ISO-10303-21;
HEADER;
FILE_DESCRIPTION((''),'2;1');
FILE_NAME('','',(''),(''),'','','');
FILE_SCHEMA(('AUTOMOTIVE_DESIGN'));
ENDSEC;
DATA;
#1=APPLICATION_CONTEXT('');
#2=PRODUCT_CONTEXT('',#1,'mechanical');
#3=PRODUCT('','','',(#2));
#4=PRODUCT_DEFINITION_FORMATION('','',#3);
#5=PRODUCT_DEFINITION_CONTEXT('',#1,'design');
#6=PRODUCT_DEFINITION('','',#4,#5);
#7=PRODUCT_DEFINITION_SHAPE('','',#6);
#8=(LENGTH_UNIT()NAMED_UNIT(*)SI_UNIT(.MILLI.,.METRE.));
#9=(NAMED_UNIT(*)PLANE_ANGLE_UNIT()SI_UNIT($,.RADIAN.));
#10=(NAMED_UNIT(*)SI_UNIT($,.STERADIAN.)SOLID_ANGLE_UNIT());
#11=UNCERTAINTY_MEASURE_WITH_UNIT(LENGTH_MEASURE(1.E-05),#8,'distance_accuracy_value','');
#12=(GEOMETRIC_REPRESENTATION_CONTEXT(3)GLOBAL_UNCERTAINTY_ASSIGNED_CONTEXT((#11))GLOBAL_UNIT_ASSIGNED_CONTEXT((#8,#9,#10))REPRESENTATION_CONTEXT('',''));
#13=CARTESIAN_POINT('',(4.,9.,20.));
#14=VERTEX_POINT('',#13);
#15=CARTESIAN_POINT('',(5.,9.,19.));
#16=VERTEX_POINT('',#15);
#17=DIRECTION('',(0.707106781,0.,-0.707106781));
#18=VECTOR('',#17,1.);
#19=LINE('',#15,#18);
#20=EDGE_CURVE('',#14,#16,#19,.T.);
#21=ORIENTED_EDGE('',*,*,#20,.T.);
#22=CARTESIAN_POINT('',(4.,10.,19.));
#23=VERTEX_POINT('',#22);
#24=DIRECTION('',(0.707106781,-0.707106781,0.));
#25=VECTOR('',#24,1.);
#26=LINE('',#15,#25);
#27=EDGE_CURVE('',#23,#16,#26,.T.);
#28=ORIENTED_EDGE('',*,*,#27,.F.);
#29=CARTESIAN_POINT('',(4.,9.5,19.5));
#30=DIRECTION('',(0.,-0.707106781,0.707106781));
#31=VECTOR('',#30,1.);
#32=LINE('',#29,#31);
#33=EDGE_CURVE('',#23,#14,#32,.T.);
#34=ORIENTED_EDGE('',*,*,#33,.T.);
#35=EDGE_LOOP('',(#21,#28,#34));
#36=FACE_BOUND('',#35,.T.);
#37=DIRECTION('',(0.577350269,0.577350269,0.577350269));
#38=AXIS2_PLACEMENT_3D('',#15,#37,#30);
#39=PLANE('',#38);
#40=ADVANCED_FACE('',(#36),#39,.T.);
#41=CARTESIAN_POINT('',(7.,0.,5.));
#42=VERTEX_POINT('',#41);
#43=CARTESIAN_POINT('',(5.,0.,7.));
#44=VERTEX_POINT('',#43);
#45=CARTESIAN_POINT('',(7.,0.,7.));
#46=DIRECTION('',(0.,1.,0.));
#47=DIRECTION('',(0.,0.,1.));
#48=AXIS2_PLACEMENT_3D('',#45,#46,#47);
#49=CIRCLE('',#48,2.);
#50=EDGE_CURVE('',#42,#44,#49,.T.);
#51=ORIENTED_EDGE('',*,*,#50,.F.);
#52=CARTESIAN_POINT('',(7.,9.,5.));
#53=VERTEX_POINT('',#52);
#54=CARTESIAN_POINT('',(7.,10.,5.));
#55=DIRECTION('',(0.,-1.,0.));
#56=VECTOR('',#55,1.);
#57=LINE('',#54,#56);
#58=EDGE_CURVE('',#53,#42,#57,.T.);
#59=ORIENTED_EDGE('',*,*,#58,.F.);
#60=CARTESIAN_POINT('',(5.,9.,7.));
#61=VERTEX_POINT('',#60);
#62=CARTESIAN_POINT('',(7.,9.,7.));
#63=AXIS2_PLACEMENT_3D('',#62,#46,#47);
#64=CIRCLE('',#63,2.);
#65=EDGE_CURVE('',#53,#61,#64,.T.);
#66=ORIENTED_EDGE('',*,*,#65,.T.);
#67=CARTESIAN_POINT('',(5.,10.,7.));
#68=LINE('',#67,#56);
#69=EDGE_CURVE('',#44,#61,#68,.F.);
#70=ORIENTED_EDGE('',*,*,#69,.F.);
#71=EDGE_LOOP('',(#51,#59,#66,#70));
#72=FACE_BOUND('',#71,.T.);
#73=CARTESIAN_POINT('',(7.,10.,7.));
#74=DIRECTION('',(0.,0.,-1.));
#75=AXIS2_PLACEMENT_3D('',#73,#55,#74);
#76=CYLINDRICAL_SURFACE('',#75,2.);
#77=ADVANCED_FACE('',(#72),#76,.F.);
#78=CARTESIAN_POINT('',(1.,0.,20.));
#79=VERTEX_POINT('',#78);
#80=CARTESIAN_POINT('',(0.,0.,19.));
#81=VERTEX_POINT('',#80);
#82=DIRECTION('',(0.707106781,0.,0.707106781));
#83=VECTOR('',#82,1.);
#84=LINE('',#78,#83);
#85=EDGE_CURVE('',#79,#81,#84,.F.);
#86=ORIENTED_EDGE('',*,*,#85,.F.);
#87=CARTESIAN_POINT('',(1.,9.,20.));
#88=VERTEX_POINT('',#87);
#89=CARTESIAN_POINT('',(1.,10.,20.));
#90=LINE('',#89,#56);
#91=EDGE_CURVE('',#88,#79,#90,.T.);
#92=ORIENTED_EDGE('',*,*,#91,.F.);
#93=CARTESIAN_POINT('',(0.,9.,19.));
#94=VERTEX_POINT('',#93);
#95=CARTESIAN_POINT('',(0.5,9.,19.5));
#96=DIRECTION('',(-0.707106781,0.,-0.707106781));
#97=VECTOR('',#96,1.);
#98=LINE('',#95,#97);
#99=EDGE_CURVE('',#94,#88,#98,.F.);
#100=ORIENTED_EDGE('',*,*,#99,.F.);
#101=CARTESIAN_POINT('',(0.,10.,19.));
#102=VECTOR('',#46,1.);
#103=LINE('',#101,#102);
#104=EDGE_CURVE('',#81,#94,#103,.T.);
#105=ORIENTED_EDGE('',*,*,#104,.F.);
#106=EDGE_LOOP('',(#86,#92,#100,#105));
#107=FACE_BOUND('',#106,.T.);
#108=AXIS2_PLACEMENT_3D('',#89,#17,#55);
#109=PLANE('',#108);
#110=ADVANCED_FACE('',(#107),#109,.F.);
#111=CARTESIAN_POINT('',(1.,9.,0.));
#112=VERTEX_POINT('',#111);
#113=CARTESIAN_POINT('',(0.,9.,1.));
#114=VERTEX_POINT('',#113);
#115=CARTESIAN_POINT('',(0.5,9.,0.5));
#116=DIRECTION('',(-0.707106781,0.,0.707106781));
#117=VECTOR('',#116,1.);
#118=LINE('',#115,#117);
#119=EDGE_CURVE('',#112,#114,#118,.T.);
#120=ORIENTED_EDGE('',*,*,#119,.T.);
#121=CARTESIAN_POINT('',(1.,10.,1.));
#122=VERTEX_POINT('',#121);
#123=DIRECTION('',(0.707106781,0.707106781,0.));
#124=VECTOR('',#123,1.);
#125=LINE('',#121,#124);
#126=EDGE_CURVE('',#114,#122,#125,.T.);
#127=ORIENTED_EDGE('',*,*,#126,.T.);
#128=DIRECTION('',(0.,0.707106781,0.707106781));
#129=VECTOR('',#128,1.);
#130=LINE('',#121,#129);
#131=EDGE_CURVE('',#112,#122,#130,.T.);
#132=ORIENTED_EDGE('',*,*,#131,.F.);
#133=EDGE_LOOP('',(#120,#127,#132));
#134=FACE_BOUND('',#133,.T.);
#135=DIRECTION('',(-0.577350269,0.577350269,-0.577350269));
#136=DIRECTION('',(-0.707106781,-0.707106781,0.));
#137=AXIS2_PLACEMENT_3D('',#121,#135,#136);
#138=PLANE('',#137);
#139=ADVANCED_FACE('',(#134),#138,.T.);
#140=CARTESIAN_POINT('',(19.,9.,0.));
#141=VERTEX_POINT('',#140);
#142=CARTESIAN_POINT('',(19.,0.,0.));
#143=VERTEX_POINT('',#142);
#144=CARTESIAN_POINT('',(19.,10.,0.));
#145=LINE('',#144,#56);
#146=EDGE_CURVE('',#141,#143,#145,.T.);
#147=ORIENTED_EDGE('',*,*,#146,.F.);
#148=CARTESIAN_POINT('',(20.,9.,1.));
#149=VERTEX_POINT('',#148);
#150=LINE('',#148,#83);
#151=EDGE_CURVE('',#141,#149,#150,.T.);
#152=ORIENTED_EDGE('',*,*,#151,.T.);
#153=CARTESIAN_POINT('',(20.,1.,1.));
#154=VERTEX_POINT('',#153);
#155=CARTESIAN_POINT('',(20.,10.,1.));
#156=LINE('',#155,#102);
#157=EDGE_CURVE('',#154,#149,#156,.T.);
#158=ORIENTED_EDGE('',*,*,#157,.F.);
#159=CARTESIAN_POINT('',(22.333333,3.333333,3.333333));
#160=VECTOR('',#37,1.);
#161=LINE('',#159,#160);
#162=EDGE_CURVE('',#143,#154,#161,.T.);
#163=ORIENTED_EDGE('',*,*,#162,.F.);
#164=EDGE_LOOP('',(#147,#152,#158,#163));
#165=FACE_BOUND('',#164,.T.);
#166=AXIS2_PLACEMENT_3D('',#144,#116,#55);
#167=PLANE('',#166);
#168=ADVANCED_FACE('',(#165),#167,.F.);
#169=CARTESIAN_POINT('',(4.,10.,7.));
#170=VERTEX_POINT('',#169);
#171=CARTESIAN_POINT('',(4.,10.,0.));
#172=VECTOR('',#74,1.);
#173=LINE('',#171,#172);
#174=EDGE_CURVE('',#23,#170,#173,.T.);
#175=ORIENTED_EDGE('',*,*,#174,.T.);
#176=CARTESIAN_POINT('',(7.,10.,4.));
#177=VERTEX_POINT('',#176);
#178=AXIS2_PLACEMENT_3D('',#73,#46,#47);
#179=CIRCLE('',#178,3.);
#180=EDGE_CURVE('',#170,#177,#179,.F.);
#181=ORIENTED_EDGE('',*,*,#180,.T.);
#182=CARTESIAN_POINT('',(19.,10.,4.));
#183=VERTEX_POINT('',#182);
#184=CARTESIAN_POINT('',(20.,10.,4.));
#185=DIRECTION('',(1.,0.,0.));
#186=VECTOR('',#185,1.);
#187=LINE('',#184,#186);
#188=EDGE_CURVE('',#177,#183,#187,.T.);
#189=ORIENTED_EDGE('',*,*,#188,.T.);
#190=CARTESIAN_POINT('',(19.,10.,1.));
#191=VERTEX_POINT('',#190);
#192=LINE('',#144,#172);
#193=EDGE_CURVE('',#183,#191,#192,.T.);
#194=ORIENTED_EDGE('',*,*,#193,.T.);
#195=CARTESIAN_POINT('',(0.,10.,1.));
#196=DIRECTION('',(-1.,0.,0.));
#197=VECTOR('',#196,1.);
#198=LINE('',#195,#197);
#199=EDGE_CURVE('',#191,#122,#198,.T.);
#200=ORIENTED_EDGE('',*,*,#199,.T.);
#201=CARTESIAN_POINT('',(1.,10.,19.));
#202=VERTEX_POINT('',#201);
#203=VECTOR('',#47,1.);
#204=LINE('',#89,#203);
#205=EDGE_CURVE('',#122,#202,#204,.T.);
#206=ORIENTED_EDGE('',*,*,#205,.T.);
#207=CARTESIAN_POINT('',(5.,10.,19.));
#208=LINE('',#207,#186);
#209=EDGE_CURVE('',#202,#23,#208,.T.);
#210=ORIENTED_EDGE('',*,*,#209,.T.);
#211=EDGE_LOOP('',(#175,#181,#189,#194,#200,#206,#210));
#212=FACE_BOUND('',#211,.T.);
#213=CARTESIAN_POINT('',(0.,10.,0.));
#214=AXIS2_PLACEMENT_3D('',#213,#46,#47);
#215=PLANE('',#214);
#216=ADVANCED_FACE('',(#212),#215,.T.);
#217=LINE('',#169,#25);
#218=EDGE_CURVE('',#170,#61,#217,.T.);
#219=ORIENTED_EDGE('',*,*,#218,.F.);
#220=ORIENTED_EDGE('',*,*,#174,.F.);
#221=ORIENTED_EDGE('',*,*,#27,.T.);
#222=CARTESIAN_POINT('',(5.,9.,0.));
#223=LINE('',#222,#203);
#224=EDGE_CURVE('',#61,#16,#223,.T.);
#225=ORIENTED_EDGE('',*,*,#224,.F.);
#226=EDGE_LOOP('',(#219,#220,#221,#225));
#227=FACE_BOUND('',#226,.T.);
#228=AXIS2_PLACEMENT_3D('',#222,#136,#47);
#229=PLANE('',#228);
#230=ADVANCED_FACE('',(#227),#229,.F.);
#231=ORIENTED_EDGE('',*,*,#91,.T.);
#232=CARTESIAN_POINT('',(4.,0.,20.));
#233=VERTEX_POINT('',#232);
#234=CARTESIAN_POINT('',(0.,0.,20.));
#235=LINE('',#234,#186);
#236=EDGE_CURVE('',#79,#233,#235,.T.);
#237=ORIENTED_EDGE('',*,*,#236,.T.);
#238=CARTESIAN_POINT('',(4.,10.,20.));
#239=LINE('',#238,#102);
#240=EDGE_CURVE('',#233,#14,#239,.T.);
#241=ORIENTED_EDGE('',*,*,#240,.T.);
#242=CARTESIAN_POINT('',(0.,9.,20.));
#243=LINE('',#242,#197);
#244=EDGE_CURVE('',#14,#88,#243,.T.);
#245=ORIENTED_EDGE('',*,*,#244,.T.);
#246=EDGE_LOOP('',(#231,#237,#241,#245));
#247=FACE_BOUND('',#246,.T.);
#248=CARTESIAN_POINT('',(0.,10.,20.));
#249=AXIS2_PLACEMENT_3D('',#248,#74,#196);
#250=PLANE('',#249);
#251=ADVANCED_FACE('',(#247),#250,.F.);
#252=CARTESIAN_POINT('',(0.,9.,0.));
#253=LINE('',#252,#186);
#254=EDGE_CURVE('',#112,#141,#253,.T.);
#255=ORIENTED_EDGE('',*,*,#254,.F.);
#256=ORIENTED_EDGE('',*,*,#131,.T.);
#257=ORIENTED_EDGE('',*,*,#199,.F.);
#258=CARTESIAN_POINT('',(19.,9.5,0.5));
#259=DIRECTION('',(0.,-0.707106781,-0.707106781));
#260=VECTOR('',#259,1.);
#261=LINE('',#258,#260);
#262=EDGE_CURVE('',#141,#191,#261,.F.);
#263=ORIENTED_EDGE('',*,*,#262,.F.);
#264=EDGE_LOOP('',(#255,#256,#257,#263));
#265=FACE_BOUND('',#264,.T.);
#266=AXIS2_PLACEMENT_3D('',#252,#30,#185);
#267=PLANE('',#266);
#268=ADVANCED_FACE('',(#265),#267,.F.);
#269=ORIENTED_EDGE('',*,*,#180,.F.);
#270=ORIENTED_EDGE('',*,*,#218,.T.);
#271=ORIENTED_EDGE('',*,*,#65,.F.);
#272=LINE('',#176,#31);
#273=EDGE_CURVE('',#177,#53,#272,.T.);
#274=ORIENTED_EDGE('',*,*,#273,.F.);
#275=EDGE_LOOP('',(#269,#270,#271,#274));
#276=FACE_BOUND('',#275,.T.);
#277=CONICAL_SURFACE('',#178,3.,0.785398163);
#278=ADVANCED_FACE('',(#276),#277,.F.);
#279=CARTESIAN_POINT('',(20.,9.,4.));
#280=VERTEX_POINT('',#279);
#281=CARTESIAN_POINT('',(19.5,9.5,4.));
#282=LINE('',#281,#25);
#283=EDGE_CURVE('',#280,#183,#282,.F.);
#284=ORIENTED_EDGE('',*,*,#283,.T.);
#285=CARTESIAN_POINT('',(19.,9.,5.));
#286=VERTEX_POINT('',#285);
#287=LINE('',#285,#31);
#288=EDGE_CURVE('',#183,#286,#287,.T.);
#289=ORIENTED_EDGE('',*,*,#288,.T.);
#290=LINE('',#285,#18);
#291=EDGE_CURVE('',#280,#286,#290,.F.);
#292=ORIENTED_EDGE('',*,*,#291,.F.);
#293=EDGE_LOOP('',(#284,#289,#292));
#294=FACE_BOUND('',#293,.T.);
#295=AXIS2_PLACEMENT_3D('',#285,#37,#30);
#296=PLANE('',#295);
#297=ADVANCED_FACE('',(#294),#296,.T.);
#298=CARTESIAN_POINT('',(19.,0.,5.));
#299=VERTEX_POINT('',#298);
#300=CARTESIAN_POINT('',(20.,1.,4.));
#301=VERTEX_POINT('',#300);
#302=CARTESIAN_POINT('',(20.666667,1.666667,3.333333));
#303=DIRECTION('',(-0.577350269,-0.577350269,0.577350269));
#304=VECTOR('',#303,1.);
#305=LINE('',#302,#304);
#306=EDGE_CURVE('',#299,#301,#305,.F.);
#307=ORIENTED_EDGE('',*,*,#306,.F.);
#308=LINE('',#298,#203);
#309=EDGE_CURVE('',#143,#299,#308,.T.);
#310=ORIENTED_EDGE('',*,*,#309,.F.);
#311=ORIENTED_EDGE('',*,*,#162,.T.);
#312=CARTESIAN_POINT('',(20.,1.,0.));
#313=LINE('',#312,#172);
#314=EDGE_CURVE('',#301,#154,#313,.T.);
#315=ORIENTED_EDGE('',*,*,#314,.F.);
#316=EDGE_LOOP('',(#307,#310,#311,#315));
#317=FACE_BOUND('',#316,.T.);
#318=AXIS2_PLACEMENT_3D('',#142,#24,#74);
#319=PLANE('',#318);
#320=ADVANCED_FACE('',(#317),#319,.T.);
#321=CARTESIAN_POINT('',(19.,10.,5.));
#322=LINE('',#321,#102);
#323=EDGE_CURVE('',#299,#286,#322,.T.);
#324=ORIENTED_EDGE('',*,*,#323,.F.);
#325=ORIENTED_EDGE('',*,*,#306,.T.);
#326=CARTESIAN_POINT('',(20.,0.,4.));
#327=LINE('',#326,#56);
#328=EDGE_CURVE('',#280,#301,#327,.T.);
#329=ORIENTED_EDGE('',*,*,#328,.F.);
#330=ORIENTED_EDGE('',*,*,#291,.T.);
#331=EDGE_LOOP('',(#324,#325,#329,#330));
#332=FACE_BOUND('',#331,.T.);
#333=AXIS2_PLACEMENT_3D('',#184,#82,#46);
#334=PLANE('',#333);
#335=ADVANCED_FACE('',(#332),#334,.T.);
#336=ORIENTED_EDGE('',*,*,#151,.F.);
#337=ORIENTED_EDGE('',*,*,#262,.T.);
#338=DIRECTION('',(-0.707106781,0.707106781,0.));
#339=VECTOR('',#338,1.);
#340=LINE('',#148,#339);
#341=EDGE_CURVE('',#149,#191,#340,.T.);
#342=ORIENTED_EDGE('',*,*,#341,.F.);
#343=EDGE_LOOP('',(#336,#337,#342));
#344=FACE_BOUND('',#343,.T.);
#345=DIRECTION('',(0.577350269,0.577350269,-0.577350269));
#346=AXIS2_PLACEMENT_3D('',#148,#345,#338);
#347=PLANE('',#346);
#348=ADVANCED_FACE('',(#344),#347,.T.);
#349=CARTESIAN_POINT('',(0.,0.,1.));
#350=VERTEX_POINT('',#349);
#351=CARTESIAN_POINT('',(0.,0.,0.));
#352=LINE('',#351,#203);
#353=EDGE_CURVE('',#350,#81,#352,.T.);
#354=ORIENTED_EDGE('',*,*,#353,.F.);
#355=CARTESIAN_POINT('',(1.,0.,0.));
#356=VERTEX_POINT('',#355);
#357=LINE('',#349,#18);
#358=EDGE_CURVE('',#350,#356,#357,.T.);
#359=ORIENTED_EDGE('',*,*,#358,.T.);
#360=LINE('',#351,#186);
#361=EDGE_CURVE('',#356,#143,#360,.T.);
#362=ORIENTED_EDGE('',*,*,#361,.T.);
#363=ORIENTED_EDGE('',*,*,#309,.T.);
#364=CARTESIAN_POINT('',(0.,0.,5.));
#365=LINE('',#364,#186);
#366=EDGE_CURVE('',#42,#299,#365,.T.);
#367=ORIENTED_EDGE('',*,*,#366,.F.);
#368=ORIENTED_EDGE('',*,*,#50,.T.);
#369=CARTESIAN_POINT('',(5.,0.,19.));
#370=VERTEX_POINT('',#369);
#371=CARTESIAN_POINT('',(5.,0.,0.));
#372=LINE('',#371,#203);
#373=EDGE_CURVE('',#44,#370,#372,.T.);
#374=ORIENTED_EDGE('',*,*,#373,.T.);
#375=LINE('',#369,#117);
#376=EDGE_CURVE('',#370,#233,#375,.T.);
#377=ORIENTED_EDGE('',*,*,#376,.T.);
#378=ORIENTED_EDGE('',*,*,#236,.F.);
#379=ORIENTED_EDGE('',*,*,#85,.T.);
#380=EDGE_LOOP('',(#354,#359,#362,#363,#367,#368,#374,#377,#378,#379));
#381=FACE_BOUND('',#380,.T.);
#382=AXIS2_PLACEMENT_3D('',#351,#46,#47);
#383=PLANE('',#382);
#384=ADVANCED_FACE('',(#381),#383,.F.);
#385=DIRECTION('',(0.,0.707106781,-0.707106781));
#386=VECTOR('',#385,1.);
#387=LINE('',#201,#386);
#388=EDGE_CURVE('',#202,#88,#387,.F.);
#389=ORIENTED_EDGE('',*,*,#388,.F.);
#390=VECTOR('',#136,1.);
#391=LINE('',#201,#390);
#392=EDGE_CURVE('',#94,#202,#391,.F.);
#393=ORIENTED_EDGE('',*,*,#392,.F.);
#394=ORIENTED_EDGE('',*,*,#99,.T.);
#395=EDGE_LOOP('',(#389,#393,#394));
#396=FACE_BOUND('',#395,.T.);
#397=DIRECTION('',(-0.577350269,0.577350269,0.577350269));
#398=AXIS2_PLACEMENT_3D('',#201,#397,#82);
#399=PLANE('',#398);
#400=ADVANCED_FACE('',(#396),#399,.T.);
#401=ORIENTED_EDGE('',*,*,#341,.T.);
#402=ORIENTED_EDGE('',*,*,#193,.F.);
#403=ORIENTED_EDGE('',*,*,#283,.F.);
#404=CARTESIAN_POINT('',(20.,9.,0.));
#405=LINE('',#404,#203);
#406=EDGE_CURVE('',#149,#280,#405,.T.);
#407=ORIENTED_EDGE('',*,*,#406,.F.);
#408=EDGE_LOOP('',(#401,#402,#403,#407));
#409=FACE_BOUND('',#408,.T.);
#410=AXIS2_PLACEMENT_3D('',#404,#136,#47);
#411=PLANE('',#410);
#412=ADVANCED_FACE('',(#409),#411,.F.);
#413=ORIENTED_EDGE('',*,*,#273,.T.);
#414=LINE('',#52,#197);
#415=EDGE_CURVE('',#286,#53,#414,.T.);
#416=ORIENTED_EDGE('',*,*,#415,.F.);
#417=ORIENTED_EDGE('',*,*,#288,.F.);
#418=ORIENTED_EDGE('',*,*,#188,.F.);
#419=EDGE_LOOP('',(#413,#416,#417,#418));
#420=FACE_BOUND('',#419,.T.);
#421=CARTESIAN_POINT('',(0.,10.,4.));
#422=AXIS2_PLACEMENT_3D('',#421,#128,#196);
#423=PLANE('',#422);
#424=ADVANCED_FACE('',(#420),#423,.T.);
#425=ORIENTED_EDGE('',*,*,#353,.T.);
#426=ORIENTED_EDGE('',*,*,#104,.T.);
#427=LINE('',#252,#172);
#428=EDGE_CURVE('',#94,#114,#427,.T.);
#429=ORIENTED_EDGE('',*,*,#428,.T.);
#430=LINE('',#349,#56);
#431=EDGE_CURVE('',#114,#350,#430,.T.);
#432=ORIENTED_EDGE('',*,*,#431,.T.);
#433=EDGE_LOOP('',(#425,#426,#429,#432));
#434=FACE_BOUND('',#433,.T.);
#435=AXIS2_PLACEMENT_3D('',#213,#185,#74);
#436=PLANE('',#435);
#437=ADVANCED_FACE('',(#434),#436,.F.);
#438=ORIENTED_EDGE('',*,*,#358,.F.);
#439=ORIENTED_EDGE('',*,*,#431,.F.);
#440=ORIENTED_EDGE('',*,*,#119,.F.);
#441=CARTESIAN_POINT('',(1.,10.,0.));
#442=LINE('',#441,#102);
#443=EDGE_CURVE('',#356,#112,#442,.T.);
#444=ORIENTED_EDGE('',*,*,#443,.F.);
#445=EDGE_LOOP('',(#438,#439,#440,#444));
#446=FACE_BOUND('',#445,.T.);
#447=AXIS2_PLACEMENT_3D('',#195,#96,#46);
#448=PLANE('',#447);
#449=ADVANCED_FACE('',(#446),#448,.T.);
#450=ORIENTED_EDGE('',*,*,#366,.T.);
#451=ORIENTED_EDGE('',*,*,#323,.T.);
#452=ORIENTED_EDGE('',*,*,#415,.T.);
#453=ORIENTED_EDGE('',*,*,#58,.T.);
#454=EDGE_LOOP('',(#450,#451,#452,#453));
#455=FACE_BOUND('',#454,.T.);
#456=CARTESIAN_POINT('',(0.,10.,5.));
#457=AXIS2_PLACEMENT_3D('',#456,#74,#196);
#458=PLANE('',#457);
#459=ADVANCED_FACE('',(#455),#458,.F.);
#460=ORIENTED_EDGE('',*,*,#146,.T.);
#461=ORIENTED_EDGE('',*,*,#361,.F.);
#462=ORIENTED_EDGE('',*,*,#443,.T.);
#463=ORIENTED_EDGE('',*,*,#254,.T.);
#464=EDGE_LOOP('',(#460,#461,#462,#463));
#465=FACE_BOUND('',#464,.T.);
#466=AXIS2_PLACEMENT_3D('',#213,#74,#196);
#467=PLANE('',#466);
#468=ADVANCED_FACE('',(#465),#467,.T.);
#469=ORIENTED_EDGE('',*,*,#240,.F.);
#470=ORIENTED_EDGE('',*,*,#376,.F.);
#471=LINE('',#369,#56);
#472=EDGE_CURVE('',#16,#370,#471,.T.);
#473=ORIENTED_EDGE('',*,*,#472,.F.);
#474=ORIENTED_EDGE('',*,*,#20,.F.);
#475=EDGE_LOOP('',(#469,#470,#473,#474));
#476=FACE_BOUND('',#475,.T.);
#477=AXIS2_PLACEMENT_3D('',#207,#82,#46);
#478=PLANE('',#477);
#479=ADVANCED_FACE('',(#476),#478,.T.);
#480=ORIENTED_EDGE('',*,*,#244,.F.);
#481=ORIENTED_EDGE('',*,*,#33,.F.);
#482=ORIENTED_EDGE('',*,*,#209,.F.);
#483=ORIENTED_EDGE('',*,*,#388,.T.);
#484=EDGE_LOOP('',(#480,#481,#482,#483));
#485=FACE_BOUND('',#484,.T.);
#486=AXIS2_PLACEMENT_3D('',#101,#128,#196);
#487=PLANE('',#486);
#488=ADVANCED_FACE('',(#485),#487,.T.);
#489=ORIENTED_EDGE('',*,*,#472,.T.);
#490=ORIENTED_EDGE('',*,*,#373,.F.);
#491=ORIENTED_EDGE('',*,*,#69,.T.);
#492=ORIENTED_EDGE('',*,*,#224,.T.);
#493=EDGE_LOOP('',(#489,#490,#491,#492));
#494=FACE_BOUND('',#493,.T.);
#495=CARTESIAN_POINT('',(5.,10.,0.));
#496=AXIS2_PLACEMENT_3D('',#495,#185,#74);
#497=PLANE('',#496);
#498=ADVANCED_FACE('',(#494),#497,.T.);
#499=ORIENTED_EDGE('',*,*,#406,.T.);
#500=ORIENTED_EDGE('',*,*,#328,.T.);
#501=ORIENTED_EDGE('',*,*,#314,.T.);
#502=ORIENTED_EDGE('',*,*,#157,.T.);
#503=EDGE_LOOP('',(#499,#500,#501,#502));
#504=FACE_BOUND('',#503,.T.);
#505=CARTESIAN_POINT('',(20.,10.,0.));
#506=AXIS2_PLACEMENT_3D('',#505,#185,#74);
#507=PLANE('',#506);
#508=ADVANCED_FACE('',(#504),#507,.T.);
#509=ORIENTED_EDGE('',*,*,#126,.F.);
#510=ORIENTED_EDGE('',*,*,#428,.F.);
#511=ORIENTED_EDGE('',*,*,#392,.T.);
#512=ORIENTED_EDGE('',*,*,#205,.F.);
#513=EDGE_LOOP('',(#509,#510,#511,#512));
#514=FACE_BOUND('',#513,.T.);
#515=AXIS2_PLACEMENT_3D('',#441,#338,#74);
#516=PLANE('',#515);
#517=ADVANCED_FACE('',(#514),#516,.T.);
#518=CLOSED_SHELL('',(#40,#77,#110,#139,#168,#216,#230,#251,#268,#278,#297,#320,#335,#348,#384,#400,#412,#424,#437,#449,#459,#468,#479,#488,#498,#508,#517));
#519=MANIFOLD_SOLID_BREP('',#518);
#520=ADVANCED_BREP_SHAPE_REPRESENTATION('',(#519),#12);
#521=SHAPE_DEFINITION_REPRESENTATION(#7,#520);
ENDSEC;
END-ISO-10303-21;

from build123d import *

# Parameters (mm, degrees)
EXTRUDE_1_DEPTH = 10
FILLET_1_R      = 2
CHAMFER_1_SIZE  = 1


with BuildPart() as part:
    # 草图1 → 凸台-拉伸1 (new body)
    with BuildSketch(Plane(origin=(0, 0, 0), x_dir=(1, 0, 0), z_dir=(0, 1, 0))):
        Polygon((5, 0), (0, 0), (0, -5), (0, -20), (5, -20), (5, -5), (20, -5), (20, 0), align=None)
    extrude(amount=EXTRUDE_1_DEPTH)

    # 圆角1
    fillet_1_edges = [part.edges().sort_by_distance(p)[0] for p in [
        (5, 5, 5),
    ]]
    fillet(fillet_1_edges, radius=FILLET_1_R)

    # 倒角1
    chamfer_1_edges = [part.edges().sort_by_distance(p)[0] for p in [
        (20, 0, 2.5),
        (10, 10, 0),
        (20, 5, 5),
        (5, 5, 20),
        (0, 5, 20),
        (0, 5, 0),
        (20, 5, 0),
        (0, 10, 10),
        (2.5, 10, 20),
        (13.5, 10, 5),
        (5, 10, 13.5),
        (5.585786438, 10, 5.585786438),
        (20, 10, 2.5),
    ]]
    chamfer(chamfer_1_edges, length=CHAMFER_1_SIZE)


solid = part.part
